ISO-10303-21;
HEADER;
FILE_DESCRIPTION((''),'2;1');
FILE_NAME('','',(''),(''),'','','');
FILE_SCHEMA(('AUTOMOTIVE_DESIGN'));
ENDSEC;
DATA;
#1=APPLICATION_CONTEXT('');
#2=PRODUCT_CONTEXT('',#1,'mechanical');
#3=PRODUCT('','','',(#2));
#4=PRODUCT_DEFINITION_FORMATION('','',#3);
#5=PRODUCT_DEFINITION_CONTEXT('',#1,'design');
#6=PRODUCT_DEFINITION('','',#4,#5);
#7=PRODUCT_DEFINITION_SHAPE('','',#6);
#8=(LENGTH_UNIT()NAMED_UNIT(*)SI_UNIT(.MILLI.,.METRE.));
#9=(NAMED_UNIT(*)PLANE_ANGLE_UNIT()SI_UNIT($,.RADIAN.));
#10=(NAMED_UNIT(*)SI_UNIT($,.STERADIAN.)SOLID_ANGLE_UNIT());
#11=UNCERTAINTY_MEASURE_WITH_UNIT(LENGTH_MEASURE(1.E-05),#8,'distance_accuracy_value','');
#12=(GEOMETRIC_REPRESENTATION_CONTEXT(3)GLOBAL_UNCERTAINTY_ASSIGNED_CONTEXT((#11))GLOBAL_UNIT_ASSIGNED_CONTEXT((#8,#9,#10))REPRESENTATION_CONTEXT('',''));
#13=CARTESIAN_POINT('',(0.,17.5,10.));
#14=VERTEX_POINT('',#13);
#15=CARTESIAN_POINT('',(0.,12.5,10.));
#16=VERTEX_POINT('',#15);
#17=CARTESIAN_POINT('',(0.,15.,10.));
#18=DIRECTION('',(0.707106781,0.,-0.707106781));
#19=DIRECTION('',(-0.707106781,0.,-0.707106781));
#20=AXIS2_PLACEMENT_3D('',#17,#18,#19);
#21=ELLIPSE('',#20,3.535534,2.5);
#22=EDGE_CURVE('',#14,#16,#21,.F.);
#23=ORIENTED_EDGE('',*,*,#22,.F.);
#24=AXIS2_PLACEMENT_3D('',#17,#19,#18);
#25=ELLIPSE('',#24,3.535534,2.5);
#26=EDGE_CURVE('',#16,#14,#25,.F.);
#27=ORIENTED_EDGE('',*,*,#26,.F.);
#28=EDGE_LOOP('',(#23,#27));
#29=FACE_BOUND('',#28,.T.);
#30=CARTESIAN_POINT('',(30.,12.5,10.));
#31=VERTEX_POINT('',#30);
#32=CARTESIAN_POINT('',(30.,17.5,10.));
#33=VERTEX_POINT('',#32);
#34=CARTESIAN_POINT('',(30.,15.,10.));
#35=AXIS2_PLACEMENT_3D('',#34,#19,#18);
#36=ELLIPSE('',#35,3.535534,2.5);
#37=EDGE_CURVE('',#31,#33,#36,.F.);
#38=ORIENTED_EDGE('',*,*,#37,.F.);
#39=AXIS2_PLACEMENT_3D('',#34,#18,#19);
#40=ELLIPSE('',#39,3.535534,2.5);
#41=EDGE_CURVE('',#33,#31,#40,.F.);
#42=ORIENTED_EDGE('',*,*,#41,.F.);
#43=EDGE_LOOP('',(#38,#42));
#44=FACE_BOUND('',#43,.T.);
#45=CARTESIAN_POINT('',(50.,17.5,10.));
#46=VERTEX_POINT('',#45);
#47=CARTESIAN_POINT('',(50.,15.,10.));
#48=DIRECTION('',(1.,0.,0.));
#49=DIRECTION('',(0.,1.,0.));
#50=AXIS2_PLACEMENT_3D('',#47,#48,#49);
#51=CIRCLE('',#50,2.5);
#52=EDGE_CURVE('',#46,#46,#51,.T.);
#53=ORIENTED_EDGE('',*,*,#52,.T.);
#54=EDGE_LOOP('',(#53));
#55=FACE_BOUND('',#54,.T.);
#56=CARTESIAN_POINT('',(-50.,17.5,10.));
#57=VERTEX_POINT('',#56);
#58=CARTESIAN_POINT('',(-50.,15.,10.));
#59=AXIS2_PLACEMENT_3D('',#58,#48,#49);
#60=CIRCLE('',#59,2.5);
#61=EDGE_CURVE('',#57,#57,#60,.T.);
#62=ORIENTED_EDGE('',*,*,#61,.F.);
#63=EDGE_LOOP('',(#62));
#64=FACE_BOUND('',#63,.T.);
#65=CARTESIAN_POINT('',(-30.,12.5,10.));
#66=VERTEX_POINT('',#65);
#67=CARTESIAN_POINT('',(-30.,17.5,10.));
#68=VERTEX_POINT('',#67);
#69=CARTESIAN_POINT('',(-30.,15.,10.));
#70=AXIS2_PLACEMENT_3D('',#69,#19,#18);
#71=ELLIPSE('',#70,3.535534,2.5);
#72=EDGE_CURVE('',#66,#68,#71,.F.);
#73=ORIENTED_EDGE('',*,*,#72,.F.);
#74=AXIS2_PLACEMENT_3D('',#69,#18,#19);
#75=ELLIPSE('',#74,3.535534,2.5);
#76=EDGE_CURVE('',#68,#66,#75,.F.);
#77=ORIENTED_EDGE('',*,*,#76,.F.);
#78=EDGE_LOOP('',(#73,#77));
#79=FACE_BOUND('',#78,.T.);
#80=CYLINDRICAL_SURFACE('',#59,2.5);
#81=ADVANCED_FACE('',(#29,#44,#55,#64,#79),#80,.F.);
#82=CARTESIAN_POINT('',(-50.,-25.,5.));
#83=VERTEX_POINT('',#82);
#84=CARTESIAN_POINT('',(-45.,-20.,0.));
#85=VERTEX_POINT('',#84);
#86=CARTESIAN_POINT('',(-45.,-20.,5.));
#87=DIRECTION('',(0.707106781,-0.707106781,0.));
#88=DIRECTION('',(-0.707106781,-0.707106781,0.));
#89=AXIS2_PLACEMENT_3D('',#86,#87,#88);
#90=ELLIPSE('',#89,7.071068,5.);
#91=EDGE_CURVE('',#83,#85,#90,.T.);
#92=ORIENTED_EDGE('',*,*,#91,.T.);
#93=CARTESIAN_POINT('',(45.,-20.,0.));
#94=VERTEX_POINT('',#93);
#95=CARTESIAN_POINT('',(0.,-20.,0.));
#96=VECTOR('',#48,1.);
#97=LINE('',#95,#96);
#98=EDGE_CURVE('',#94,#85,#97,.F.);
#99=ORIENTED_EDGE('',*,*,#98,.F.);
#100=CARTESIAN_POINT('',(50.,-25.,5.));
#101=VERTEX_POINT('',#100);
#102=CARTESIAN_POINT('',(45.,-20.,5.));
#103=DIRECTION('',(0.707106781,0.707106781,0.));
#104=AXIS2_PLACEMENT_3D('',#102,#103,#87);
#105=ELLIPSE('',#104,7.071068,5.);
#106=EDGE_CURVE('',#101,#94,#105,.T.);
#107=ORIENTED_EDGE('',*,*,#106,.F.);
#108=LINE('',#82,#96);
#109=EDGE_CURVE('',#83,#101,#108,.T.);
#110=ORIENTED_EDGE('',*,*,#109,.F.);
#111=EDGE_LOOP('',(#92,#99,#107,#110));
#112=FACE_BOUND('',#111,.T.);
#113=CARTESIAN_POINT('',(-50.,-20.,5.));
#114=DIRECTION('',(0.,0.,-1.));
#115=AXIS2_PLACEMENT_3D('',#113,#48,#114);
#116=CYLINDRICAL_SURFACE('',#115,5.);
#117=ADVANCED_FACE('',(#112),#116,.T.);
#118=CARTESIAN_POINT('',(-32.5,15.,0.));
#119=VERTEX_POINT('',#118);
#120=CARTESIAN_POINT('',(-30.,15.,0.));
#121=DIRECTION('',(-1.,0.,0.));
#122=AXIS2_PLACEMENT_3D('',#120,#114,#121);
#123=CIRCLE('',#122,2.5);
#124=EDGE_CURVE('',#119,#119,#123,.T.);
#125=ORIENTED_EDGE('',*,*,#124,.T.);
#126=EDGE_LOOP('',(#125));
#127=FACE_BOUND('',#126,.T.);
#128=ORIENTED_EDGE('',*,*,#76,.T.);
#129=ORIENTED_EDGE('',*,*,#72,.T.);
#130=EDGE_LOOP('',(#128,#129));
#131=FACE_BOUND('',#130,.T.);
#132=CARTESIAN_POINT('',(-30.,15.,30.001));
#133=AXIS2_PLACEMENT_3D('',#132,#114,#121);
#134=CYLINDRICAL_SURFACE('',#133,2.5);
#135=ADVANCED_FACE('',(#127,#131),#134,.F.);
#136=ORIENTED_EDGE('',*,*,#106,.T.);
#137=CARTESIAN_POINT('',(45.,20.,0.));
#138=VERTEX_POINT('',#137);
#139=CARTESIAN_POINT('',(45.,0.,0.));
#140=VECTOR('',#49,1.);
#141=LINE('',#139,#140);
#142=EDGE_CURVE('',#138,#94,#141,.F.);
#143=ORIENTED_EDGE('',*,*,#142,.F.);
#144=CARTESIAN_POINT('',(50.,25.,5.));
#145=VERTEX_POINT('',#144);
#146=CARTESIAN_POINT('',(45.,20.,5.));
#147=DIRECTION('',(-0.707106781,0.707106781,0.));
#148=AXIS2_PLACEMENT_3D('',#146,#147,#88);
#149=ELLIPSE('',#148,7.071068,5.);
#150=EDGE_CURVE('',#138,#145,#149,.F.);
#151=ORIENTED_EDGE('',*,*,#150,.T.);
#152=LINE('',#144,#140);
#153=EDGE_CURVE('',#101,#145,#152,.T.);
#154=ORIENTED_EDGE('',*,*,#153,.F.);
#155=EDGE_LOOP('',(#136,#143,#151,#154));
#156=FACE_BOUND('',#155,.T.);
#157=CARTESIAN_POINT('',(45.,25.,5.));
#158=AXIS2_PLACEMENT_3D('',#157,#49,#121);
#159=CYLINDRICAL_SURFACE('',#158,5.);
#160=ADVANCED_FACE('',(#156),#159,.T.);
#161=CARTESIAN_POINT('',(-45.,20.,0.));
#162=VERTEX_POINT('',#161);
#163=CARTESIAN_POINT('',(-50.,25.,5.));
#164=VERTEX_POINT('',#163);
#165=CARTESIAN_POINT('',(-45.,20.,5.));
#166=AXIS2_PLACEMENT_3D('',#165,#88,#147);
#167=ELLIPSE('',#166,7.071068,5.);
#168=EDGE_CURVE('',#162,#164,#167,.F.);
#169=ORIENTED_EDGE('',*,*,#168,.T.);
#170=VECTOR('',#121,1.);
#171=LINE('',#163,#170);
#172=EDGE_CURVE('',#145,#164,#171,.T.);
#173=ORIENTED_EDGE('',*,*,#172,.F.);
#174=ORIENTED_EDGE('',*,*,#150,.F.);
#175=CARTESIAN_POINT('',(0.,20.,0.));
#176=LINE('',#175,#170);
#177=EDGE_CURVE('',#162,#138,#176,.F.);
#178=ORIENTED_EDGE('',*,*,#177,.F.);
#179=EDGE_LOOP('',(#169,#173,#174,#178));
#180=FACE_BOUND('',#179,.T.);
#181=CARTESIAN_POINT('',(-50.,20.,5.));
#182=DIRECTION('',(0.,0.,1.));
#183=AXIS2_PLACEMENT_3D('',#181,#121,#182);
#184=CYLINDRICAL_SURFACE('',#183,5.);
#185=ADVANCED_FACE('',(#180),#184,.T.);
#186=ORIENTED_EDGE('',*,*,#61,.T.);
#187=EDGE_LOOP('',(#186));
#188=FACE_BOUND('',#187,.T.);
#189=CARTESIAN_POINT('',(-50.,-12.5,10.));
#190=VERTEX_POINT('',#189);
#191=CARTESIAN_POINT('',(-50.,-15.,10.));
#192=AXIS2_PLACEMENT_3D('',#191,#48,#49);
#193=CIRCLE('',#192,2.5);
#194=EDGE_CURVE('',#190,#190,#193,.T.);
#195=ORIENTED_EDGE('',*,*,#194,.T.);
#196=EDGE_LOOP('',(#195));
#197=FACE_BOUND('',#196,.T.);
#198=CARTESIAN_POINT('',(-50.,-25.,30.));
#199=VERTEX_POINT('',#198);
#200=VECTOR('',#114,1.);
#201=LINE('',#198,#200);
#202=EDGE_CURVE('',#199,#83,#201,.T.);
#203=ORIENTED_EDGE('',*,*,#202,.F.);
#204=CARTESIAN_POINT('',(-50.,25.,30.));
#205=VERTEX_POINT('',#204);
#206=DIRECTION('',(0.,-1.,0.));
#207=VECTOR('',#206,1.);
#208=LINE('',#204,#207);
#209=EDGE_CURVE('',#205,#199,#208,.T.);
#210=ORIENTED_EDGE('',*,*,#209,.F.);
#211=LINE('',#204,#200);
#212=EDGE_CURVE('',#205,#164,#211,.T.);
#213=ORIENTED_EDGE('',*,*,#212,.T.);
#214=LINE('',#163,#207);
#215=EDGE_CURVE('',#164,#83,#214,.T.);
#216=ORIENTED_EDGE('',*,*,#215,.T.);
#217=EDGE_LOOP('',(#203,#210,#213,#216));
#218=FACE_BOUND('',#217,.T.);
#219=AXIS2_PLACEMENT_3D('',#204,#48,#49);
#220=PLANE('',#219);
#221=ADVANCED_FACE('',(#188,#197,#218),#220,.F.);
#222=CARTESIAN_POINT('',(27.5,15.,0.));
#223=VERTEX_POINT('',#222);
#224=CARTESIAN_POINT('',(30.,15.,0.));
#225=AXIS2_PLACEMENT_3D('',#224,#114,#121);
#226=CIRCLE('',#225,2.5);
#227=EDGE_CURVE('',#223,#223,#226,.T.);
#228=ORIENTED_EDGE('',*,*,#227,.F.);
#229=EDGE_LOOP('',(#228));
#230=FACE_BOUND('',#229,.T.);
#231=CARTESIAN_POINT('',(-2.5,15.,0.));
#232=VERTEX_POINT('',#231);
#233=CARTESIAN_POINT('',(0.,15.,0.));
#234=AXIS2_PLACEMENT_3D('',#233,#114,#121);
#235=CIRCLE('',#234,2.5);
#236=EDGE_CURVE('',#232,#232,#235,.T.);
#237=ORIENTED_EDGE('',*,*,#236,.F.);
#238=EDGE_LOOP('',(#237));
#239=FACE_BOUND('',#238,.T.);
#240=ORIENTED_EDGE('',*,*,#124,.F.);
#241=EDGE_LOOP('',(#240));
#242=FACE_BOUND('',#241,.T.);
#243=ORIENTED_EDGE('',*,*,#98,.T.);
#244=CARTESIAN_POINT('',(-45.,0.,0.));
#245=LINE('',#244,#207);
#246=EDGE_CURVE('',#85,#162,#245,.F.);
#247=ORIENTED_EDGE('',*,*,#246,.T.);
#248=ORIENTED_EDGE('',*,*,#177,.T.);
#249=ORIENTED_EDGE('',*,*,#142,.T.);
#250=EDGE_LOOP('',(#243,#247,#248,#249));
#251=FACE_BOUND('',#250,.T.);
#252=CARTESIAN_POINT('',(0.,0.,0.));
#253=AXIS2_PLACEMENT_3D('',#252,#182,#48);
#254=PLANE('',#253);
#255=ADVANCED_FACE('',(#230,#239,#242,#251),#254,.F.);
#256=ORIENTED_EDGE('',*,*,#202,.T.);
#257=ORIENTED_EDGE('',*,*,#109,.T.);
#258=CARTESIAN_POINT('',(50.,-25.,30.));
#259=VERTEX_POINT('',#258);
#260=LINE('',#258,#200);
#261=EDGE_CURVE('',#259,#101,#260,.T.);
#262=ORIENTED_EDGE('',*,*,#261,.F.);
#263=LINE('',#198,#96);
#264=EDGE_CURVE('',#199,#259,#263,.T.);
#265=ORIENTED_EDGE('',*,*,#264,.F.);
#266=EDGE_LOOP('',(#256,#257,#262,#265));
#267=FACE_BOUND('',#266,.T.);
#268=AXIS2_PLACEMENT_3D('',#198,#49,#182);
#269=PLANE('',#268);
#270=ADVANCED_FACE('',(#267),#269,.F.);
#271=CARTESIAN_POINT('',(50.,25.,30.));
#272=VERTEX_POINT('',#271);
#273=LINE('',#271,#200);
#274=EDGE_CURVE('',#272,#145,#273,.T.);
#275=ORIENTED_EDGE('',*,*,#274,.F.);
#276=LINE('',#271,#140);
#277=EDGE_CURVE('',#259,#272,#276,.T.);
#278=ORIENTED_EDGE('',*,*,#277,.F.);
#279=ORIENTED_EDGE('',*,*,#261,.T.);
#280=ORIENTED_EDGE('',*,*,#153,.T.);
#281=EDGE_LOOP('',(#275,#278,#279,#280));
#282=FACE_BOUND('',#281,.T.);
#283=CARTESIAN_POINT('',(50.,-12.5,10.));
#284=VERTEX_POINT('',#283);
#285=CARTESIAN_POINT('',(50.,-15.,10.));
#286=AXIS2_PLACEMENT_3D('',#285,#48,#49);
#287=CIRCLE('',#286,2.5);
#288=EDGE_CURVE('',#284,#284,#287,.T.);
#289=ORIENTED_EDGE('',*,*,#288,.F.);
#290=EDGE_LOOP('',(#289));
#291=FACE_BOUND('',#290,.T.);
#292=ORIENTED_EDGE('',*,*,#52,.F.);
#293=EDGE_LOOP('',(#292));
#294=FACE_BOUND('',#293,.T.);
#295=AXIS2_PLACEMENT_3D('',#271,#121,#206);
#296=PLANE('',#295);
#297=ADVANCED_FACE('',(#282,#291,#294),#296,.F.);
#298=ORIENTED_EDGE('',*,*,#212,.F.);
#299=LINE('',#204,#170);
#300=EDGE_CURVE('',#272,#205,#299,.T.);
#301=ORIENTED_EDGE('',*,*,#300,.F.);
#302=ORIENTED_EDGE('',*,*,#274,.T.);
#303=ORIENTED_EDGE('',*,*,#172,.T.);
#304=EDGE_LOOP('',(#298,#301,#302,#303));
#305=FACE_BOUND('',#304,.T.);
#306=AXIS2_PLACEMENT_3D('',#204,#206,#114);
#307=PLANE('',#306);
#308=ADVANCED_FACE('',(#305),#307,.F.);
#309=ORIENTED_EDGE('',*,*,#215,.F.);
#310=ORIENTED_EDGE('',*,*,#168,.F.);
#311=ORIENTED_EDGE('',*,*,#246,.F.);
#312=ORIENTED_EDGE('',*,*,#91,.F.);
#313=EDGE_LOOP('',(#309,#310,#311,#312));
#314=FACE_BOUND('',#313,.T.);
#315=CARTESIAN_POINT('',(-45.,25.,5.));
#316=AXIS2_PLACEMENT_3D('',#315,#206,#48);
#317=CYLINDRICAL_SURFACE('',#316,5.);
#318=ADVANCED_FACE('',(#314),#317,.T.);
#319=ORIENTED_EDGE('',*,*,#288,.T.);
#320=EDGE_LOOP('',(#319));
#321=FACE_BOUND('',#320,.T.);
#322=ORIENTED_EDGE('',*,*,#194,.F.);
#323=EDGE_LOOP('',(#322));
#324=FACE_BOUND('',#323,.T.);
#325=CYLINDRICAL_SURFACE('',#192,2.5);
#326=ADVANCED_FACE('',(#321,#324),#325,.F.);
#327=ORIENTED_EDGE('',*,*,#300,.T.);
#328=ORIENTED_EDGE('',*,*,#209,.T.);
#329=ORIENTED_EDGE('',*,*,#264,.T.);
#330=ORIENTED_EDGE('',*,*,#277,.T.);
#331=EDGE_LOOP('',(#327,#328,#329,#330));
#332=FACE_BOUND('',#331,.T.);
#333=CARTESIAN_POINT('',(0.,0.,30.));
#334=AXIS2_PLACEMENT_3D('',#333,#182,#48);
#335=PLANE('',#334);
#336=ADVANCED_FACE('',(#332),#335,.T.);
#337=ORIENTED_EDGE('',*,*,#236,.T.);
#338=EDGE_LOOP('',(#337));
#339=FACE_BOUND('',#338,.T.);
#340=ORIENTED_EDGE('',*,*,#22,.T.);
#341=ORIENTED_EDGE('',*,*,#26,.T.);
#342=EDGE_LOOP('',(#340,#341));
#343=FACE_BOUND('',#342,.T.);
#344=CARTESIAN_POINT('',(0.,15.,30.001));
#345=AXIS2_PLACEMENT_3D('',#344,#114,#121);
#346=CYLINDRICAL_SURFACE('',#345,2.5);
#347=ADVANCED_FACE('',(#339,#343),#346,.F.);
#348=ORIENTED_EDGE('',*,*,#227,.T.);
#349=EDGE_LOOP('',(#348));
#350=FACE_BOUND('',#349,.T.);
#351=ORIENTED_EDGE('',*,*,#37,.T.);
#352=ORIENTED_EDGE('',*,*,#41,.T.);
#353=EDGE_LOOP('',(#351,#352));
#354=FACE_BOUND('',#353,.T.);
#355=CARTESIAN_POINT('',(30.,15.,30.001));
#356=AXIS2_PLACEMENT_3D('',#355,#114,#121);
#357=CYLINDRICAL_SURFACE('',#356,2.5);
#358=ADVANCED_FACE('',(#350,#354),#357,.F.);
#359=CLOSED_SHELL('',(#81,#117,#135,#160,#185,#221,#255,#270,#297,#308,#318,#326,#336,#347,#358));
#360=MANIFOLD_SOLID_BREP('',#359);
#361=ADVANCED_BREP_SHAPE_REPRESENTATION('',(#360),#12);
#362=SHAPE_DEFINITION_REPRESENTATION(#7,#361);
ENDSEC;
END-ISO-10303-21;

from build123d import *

# Parameters (mm, degrees)
SKETCH1_W               = 100
SKETCH1_H               = 50
BOSS_EXTRUDE1_DEPTH     = 30
SKETCH2_R               = 2.5
CUT_EXTRUDE1_DEPTH      = 108.354552768
FILLET1_R               = 5
CUT_EXTRUDE2_REACH      = 65.443
CUT_EXTRUDE2_END_RADIUS = 2.5
SKETCH3_R               = 2.5


with BuildPart() as part:
    # Sketch1 → Boss-Extrude1 (new body)
    with BuildSketch(Plane.XY):
        Rectangle(SKETCH1_W, SKETCH1_H)
    extrude(amount=BOSS_EXTRUDE1_DEPTH)

    # Sketch2 → Cut-Extrude1 (cut, through all)
    with BuildSketch(Plane(origin=(50, 0, 0), x_dir=(0, 0, -1), z_dir=(1, 0, 0))):
        with Locations(Location((-10, 15, 0), (0, 0, 90))):
            Circle(SKETCH2_R)
        with Locations(Location((-10, -15, 0), (0, 0, 90))):
            Circle(SKETCH2_R)
    extrude(amount=-CUT_EXTRUDE1_DEPTH, mode=Mode.SUBTRACT)

    # Fillet1
    fillet1_edges = [part.edges().sort_by_distance(p)[0] for p in [
        (0, -25, 0),
        (-50, 0, 0),
        (0, 25, 0),
        (50, 0, 0),
    ]]
    fillet(fillet1_edges, radius=FILLET1_R)

    # Cut-Extrude2: up to this cylinder (the profile starts outside it)
    cut_extrude2_end = Plane(origin=(0, 15, 10), z_dir=(1, 0, 0)) * Cylinder(CUT_EXTRUDE2_END_RADIUS, 196.886, mode=Mode.PRIVATE)
    # Sketch3 → Cut-Extrude2 (cut, up to the surface)
    with BuildSketch(Plane(origin=(0, 0, 0), x_dir=(-1, 0, 0), z_dir=(0, 0, -1)), mode=Mode.PRIVATE) as cut_extrude2_sk1:
        with Locations((-30, 15)):
            Circle(SKETCH3_R)
    cut_extrude2_tool1 = extrude(cut_extrude2_sk1.sketch, amount=-CUT_EXTRUDE2_REACH, mode=Mode.PRIVATE) - cut_extrude2_end
    add(cut_extrude2_tool1.solids().sort_by_distance((30, 15, 0))[0], mode=Mode.SUBTRACT)
    # Sketch3 → Cut-Extrude2 (cut, up to the surface)
    with BuildSketch(Plane(origin=(0, 0, 0), x_dir=(-1, 0, 0), z_dir=(0, 0, -1)), mode=Mode.PRIVATE) as cut_extrude2_sk2:
        with Locations((30, 15)):
            Circle(SKETCH3_R)
    cut_extrude2_tool2 = extrude(cut_extrude2_sk2.sketch, amount=-CUT_EXTRUDE2_REACH, mode=Mode.PRIVATE) - cut_extrude2_end
    add(cut_extrude2_tool2.solids().sort_by_distance((-30, 15, 0))[0], mode=Mode.SUBTRACT)
    # Sketch3 → Cut-Extrude2 (cut, up to the surface)
    with BuildSketch(Plane(origin=(0, 0, 0), x_dir=(-1, 0, 0), z_dir=(0, 0, -1)), mode=Mode.PRIVATE) as cut_extrude2_sk3:
        with Locations((0, 15)):
            Circle(SKETCH3_R)
    cut_extrude2_tool3 = extrude(cut_extrude2_sk3.sketch, amount=-CUT_EXTRUDE2_REACH, mode=Mode.PRIVATE) - cut_extrude2_end
    add(cut_extrude2_tool3.solids().sort_by_distance((0, 15, 0))[0], mode=Mode.SUBTRACT)


solid = part.part
